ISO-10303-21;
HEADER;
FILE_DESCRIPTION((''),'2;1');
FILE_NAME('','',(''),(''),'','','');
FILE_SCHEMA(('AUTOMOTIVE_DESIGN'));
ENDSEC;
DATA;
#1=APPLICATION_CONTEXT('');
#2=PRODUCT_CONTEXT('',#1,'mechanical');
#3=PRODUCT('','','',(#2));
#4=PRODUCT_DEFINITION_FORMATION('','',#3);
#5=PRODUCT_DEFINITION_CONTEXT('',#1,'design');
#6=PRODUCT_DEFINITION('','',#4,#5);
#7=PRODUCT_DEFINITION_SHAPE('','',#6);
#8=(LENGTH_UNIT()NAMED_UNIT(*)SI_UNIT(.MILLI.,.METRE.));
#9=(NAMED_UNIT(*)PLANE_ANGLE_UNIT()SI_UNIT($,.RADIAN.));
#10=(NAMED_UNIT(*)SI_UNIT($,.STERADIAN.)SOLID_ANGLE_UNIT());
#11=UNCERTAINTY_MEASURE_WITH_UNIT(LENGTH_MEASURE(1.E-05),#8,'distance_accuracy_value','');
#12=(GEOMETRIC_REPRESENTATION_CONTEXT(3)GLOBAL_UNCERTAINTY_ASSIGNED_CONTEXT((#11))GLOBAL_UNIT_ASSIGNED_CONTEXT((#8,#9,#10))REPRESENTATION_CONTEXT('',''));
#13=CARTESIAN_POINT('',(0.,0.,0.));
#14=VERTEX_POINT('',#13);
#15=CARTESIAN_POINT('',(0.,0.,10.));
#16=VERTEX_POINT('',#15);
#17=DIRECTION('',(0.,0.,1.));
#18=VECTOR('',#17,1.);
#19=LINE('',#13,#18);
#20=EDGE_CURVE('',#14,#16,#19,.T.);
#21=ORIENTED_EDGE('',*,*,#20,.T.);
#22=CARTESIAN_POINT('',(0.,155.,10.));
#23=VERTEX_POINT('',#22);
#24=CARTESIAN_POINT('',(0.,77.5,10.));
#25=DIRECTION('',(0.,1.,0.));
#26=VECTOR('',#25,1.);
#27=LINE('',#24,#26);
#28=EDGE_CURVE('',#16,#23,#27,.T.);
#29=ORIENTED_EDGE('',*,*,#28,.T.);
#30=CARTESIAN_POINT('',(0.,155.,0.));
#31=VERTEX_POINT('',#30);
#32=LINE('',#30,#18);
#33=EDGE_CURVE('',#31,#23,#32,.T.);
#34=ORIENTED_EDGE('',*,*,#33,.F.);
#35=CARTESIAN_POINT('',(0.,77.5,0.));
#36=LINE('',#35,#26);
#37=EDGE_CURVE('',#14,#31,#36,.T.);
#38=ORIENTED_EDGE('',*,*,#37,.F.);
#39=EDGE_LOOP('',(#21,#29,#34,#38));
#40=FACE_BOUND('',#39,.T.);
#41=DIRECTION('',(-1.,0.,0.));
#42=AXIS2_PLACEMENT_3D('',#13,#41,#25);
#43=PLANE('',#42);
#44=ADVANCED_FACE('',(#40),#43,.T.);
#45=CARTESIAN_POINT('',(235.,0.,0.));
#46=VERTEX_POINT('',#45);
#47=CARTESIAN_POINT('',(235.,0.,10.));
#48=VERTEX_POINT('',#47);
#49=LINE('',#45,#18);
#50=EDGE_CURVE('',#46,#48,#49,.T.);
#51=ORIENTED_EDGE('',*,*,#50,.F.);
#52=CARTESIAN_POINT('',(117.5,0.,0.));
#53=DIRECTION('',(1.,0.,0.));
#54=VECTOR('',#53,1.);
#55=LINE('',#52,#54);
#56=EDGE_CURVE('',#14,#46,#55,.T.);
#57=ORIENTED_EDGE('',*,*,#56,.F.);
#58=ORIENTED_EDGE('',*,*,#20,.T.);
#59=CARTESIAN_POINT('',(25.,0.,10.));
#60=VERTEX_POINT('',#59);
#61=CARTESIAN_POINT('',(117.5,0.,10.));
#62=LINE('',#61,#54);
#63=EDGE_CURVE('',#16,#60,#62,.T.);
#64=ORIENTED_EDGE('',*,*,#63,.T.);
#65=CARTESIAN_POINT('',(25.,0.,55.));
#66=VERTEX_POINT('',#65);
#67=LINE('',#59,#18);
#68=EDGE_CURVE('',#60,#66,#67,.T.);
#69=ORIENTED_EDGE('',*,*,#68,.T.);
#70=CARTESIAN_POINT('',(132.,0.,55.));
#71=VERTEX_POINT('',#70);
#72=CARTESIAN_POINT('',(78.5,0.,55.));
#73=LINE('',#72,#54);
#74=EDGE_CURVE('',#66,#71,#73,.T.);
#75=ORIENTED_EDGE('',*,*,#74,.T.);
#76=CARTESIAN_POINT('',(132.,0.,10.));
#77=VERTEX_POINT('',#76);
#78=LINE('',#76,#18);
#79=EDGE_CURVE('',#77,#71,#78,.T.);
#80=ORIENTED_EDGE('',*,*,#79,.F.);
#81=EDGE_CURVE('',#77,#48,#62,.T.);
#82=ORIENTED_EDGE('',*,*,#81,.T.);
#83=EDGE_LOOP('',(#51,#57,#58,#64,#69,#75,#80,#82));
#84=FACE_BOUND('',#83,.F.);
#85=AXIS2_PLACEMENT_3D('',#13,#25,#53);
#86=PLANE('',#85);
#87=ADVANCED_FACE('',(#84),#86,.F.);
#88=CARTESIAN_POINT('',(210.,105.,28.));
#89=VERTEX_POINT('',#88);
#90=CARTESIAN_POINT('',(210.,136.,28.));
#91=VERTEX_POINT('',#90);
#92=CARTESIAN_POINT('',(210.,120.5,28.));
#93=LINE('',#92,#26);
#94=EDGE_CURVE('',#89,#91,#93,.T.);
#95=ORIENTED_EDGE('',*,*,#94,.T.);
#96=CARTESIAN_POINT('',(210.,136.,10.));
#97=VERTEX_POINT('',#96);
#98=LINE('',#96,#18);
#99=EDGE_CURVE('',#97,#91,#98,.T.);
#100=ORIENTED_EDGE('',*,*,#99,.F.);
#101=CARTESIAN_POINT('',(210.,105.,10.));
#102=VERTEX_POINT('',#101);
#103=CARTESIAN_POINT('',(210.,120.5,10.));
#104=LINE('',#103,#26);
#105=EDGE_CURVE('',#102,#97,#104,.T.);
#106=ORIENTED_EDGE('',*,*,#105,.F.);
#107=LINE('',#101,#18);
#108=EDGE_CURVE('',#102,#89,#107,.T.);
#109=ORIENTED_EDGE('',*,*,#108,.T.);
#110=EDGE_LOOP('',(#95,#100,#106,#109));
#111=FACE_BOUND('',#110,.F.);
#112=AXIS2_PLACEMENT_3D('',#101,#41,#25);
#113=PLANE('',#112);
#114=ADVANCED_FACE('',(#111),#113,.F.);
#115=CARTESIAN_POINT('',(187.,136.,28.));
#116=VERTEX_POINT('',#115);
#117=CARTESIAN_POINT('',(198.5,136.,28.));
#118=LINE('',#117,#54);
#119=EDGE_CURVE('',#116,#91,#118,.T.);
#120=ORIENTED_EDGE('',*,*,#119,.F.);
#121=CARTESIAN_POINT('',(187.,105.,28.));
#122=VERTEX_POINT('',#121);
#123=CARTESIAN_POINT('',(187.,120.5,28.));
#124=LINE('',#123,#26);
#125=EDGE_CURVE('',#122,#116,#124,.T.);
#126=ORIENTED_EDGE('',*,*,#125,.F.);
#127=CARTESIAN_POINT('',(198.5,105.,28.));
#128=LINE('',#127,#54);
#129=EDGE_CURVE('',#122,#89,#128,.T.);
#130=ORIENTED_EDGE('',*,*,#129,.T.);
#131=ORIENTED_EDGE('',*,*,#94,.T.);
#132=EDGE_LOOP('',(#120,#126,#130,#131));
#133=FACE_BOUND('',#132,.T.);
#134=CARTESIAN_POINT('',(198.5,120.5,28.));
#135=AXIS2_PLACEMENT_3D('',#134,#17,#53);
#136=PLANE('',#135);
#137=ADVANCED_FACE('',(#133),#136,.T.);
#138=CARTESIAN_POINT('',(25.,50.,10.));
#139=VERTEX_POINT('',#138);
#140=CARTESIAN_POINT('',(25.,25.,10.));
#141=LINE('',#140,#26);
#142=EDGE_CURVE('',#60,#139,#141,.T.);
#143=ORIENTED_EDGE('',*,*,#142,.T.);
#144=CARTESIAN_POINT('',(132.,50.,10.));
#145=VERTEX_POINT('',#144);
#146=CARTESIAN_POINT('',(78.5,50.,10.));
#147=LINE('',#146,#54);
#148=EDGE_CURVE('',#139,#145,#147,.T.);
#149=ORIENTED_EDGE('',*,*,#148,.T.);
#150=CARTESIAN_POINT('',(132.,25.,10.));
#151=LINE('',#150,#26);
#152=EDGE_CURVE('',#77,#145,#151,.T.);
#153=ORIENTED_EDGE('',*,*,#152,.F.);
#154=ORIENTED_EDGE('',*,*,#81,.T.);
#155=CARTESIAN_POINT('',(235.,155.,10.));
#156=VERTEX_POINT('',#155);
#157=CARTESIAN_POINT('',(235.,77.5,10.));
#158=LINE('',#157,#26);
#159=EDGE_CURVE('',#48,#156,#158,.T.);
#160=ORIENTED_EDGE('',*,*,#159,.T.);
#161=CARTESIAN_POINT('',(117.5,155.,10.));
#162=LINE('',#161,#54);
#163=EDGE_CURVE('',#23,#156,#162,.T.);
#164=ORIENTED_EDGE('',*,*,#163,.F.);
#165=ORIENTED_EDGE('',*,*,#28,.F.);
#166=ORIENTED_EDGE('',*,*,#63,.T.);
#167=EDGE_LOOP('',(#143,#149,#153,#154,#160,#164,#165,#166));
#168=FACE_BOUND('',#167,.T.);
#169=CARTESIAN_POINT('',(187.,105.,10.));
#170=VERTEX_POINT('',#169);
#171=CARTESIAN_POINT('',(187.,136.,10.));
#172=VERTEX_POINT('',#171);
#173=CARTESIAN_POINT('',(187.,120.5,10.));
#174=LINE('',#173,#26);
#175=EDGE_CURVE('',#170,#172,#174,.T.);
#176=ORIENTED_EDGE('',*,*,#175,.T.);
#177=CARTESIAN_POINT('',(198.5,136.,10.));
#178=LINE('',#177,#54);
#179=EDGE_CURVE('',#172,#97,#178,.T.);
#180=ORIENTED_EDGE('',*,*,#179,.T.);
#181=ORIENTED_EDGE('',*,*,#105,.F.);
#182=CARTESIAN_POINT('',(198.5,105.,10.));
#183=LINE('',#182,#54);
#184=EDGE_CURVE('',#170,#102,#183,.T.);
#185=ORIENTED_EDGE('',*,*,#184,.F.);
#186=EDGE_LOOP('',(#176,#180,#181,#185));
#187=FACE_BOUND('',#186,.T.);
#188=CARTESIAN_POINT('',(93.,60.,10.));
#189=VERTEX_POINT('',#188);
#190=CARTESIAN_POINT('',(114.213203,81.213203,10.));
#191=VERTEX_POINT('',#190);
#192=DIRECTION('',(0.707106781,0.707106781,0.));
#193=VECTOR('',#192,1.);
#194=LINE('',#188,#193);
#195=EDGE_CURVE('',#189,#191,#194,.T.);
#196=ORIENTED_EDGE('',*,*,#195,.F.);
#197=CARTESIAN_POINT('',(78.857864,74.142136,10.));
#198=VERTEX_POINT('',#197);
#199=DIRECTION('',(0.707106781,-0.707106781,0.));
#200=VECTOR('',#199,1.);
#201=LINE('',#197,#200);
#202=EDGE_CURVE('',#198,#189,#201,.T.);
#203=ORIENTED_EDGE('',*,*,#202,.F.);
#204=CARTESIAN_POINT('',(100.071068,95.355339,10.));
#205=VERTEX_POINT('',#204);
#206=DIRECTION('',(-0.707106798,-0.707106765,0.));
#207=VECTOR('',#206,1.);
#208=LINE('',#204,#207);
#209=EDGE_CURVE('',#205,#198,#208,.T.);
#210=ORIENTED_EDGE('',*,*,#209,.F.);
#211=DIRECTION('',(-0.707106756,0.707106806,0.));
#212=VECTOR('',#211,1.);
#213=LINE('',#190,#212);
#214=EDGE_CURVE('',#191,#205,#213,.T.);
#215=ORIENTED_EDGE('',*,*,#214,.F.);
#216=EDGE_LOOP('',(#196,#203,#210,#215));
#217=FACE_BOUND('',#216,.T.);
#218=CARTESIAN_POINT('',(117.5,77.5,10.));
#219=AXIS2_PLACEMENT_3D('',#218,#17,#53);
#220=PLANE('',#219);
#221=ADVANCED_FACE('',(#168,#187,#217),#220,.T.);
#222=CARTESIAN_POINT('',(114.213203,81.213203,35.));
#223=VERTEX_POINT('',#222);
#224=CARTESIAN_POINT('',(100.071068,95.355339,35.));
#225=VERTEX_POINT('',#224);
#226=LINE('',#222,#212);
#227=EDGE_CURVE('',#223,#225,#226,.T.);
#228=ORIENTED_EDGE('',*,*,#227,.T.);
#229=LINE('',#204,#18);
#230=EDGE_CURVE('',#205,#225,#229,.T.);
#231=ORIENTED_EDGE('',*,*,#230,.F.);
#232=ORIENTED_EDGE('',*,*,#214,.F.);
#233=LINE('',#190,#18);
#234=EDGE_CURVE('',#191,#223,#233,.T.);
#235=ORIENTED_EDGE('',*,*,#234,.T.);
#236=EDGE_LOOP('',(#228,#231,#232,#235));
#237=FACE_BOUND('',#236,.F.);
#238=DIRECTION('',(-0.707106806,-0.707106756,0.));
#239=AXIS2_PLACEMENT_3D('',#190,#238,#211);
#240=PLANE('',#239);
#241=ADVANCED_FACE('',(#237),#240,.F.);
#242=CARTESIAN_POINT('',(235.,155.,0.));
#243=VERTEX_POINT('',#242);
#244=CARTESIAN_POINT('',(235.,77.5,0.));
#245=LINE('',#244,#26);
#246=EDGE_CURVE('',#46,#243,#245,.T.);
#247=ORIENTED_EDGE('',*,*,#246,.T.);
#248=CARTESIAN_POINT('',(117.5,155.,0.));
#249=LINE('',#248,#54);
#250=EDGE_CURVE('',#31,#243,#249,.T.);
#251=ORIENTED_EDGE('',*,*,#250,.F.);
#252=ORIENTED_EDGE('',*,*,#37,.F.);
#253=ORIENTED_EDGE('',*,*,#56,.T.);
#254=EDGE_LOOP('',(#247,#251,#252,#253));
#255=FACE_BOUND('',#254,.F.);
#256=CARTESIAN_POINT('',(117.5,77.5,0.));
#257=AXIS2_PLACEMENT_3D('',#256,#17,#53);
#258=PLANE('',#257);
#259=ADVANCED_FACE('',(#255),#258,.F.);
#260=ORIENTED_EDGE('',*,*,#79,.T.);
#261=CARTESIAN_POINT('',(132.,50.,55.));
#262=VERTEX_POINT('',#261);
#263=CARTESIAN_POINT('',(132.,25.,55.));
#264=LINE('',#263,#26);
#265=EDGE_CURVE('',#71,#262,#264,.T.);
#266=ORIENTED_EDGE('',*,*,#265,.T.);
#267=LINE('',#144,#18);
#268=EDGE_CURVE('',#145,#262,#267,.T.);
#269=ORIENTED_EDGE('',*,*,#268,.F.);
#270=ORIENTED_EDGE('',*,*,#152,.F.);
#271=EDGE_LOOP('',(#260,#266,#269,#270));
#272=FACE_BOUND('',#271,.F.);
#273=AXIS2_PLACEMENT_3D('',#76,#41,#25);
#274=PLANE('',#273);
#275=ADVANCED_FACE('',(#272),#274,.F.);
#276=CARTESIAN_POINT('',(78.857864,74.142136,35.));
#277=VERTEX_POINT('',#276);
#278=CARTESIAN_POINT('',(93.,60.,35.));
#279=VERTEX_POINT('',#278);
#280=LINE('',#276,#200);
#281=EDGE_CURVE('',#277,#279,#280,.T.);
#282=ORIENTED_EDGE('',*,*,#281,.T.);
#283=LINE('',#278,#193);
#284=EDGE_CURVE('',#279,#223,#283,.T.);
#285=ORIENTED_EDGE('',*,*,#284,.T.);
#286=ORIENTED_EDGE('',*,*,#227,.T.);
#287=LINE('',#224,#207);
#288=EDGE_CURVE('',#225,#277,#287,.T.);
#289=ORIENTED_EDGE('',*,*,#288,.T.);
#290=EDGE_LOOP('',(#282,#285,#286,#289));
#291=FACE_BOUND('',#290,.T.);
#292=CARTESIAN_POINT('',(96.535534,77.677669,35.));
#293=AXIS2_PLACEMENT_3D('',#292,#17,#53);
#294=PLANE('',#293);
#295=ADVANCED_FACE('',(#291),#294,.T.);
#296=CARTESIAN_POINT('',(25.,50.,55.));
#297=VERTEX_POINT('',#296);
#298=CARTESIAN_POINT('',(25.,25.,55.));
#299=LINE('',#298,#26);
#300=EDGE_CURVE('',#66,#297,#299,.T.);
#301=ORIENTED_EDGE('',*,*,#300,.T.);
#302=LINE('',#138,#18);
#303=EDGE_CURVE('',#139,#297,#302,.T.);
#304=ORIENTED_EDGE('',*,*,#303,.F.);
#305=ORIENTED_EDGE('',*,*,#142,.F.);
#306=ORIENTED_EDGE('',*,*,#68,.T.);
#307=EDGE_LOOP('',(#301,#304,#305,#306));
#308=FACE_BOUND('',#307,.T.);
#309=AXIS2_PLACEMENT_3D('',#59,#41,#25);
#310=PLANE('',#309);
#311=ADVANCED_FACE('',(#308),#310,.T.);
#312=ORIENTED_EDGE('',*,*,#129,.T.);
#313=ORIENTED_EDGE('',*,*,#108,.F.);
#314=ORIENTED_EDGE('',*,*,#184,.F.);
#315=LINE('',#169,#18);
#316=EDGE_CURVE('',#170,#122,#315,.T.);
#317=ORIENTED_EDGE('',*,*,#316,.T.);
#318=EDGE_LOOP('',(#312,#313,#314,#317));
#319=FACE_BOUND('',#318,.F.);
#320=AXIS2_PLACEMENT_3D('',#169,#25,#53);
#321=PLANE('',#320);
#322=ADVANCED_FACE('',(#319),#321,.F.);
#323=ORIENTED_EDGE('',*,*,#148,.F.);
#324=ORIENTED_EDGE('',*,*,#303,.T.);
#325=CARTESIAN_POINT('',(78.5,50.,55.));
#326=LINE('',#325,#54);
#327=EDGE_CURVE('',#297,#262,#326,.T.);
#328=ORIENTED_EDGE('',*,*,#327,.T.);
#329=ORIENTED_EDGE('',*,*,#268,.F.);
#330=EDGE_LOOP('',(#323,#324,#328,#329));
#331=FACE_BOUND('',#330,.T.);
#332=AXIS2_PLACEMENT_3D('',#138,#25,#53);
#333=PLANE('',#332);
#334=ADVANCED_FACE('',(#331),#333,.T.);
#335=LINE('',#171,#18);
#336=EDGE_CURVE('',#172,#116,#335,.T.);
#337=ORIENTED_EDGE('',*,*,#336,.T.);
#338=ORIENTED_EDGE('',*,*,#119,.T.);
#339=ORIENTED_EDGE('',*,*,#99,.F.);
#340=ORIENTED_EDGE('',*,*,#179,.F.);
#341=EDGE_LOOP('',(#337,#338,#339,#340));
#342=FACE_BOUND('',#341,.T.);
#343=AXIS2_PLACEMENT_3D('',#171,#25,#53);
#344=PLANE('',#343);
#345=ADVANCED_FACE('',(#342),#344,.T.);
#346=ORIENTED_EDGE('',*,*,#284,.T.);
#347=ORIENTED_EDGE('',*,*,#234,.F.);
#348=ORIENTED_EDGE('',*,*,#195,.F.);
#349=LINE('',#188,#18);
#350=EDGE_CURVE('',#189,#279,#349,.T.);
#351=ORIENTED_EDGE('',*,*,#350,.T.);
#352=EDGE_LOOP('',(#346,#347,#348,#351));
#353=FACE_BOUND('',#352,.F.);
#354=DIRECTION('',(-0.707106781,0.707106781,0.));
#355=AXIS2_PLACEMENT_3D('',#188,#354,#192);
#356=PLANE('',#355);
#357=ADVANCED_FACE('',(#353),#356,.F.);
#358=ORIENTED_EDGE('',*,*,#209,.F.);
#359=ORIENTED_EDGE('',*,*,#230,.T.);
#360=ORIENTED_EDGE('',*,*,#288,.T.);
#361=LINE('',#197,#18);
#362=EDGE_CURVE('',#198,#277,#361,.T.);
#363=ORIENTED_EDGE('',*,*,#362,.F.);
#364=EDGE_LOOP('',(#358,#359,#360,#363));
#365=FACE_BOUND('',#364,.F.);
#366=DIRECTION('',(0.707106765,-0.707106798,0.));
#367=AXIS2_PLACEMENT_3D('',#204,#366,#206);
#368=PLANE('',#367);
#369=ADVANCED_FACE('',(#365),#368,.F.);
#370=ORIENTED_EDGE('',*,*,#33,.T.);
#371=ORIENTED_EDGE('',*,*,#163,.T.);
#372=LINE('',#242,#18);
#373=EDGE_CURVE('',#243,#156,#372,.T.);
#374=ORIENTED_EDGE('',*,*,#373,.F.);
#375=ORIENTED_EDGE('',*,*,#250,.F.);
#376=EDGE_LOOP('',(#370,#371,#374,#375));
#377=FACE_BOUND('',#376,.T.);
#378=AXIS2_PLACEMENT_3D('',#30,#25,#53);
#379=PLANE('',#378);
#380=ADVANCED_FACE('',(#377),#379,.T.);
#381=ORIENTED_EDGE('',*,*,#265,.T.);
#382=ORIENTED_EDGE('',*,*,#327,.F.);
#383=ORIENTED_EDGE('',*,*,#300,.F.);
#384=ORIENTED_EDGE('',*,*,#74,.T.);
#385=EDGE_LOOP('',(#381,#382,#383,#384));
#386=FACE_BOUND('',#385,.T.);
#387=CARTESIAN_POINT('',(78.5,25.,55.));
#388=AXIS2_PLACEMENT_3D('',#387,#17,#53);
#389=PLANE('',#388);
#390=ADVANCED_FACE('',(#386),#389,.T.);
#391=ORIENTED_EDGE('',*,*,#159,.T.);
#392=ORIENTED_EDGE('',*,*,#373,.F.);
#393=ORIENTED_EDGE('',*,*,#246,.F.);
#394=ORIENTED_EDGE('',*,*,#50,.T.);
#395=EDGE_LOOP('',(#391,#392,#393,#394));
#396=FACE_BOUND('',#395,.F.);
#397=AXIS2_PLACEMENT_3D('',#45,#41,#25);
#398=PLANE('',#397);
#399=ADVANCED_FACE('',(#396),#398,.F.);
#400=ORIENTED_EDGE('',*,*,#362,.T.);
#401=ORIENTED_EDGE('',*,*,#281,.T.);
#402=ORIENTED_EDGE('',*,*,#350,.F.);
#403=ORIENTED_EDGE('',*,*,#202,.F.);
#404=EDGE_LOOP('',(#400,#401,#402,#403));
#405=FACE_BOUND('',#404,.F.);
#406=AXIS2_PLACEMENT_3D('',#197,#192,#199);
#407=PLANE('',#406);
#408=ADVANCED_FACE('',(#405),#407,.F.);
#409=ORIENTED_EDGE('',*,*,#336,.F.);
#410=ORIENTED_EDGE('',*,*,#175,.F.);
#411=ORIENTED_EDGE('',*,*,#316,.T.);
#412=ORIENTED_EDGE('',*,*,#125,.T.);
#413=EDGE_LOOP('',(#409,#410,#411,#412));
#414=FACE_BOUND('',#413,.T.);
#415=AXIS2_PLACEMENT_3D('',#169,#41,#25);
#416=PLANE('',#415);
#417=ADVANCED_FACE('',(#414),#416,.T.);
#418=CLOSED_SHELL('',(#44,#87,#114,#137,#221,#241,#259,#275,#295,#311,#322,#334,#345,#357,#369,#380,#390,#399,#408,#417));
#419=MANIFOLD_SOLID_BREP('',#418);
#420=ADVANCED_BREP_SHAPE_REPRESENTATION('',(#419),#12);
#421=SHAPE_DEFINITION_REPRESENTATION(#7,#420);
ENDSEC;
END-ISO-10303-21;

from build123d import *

# Parameters (mm, degrees)
F0_W     = 235
F0_H     = 155
F1_DEPTH = 10
F2_W     = 107
F2_H     = 50
F3_DEPTH = 45
F4_W     = 23
F4_H     = 31
F5_DEPTH = 18
F7_DEPTH = 25


with BuildPart() as f1:
    # F0 (on Top) → F1 (new body)
    with BuildSketch(Plane.XY):
        with Locations((117.5, 77.5)):
            Rectangle(F0_W, F0_H)
    extrude(amount=F1_DEPTH)

    # F2 (on face) → F3 (join)
    with BuildSketch(Plane.XY.offset(10)):
        with Locations((78.5, 25)):
            Rectangle(F2_W, F2_H)
    extrude(amount=F3_DEPTH)

    # F4 (on face) → F5 (join)
    with BuildSketch(Plane.XY.offset(10)):
        with Locations((198.5, 120.5)):
            Rectangle(F4_W, F4_H)
    extrude(amount=F5_DEPTH)

    # F6 (on face) → F7 (join)
    with BuildSketch(Plane.XY.offset(10)):
        Polygon((100.071068, 95.355339), (78.857864, 74.142136), (93, 60), (114.213203, 81.213203), align=None)
    extrude(amount=F7_DEPTH)


solid = f1.part
